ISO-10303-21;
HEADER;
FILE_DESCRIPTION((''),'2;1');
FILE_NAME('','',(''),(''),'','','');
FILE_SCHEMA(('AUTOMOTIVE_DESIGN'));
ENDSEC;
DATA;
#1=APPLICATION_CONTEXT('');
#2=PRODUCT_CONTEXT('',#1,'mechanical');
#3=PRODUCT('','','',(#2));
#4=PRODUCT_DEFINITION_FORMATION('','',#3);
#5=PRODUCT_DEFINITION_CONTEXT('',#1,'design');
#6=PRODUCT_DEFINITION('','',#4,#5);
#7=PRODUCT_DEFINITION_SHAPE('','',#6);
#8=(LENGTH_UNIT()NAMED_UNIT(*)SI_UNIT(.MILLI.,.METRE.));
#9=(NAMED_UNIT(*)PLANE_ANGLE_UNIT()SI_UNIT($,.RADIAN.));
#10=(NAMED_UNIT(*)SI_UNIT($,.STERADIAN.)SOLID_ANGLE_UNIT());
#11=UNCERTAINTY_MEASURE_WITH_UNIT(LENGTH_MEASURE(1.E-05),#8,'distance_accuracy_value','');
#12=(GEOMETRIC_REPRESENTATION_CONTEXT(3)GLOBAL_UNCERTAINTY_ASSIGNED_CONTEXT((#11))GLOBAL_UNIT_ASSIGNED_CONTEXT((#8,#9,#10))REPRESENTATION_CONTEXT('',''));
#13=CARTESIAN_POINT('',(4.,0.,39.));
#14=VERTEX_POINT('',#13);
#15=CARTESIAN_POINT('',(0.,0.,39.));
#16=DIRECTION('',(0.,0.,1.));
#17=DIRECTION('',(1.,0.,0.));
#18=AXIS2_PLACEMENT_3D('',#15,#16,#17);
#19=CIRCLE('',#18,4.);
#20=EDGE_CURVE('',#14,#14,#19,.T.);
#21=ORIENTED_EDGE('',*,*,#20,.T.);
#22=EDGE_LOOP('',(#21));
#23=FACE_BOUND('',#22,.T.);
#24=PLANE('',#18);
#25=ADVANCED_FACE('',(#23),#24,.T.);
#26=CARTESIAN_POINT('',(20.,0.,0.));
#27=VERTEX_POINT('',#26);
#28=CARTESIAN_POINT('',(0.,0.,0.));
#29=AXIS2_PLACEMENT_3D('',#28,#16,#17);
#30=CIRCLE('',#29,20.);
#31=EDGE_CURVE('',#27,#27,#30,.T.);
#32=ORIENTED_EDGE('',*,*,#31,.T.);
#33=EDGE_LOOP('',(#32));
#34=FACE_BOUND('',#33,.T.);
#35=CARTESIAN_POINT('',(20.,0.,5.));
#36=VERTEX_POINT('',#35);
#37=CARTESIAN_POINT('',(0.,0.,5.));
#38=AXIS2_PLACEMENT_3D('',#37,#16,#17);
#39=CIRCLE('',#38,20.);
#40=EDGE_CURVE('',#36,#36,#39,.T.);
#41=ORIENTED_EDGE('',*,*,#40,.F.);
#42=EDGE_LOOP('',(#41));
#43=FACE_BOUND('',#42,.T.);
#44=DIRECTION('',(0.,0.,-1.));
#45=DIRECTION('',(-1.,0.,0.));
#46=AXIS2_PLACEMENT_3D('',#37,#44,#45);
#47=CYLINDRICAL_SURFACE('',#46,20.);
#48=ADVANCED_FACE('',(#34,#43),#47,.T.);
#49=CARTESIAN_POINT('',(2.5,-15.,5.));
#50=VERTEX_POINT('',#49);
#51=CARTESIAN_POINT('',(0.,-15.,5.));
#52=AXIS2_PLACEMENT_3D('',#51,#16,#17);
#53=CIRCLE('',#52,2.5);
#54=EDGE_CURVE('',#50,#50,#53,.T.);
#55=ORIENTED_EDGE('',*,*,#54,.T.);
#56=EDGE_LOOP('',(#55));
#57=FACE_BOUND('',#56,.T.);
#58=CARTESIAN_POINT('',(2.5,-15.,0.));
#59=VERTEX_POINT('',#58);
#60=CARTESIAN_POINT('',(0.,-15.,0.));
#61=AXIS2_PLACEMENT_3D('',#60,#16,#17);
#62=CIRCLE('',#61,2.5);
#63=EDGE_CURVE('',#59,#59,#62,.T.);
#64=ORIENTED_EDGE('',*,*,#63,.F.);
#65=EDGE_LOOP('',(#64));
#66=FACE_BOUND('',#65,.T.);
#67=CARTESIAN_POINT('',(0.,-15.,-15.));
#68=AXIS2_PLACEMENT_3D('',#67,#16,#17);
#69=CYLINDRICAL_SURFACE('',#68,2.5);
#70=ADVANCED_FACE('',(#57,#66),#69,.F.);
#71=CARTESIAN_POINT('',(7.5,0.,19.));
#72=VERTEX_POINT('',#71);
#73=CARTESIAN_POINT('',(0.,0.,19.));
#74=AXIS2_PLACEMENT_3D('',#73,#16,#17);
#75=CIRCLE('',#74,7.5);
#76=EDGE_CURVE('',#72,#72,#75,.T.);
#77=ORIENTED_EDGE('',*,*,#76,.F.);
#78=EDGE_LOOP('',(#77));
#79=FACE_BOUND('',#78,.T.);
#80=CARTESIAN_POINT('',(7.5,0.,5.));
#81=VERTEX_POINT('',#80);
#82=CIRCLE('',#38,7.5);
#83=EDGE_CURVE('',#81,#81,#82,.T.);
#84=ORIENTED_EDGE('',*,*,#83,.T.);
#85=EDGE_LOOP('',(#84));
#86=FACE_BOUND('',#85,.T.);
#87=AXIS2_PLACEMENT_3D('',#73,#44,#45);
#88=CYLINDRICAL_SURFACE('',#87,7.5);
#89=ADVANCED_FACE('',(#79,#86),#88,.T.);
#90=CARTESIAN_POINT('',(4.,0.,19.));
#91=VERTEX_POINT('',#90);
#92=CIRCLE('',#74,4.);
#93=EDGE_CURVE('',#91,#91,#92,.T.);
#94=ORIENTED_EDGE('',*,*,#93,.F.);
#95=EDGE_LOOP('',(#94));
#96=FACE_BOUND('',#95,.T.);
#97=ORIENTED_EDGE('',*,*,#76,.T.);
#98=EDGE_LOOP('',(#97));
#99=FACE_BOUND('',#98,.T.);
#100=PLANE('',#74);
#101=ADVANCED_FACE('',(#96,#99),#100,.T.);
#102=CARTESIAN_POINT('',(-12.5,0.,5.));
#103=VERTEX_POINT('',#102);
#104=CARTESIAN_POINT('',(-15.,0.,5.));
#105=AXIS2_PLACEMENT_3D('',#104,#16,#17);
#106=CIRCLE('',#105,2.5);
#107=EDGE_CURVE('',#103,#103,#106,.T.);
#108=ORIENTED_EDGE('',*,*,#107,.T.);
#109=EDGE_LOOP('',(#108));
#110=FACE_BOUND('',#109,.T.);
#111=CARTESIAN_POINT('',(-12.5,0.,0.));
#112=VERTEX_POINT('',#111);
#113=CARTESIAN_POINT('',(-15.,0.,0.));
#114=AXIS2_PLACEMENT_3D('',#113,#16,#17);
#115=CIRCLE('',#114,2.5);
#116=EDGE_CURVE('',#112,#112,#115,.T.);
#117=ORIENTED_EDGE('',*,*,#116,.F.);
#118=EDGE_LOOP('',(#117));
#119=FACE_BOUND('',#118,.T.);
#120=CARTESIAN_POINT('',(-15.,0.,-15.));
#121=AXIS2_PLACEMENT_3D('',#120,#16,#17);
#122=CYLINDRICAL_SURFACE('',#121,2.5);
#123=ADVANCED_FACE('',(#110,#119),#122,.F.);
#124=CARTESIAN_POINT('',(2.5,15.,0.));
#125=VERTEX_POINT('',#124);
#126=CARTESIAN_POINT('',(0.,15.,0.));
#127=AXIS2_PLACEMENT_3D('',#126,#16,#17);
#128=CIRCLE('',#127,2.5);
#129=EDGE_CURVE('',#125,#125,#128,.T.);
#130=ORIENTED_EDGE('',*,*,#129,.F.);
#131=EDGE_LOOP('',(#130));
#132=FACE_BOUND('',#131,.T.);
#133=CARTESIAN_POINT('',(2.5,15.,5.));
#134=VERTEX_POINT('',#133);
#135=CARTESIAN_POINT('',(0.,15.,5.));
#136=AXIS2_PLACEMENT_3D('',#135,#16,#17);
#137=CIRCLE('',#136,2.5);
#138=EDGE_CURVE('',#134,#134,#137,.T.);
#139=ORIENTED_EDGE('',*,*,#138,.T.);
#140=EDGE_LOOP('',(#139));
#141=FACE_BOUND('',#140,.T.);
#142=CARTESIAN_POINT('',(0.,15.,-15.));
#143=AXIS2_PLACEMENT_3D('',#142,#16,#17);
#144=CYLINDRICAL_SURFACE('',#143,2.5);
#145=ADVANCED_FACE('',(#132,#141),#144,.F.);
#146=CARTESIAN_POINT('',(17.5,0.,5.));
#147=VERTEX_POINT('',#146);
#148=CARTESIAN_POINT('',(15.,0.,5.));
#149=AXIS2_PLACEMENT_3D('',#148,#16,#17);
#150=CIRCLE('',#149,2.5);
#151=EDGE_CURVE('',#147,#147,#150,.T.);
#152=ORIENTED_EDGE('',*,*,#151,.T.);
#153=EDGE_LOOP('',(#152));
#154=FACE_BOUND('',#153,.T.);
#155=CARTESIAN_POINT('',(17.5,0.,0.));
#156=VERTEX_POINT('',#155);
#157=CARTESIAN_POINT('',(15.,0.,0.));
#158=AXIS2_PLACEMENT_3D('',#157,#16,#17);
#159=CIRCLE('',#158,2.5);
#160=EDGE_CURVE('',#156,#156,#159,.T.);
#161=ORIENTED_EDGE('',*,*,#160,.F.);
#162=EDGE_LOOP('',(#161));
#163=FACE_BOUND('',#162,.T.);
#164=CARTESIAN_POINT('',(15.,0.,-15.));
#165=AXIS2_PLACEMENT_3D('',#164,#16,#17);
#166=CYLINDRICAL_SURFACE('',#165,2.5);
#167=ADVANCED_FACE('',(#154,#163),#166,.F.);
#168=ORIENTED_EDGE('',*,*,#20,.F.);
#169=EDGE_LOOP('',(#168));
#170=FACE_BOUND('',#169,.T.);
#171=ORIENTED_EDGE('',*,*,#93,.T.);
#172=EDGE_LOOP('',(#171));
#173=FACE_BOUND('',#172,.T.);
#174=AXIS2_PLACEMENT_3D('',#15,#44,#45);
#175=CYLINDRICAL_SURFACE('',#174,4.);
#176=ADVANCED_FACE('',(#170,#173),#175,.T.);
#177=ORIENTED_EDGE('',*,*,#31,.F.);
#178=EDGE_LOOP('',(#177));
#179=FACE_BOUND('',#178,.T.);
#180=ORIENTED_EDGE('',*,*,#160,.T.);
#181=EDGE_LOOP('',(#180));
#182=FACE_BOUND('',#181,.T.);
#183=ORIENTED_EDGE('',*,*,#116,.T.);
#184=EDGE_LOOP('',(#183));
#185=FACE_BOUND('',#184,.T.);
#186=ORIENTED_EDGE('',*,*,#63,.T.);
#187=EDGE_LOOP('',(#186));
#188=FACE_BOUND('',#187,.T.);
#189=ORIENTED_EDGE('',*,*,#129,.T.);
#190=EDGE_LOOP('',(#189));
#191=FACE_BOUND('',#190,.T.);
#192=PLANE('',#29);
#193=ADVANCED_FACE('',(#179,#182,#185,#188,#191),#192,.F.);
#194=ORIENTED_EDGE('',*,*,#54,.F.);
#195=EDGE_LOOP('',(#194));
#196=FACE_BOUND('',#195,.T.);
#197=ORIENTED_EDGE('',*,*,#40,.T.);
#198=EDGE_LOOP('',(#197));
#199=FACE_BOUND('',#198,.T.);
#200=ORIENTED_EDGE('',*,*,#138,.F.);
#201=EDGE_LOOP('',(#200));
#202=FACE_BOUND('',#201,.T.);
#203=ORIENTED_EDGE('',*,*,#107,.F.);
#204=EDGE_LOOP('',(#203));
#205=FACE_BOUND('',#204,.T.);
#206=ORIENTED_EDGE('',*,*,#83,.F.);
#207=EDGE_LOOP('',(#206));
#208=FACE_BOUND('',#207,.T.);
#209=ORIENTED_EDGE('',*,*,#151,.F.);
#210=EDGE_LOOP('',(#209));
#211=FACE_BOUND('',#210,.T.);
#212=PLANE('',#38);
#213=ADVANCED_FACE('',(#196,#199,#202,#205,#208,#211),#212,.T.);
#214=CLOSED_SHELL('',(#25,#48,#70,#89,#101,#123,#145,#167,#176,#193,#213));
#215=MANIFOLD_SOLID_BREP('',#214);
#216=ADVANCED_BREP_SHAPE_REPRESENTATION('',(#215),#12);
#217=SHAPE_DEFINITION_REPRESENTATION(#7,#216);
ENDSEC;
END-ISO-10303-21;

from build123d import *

# Parameters (mm, degrees)
SKETCH1_R           = 20
BOSS_EXTRUDE1_DEPTH = 5
SKETCH2_R           = 7.5
BOSS_EXTRUDE2_DEPTH = 14
SKETCH3_R           = 4
BOSS_EXTRUDE3_DEPTH = 20
SKETCH4_R           = 2.5
CUT_EXTRUDE1_DEPTH  = 20


with BuildPart() as part:
    # Sketch1 → Boss-Extrude1 (new body)
    with BuildSketch(Plane.XY):
        Circle(SKETCH1_R)
    extrude(amount=BOSS_EXTRUDE1_DEPTH)

    # Sketch2 → Boss-Extrude2 (add)
    with BuildSketch(Plane.XY.offset(5)):
        Circle(SKETCH2_R)
    extrude(amount=BOSS_EXTRUDE2_DEPTH)

    # Sketch3 → Boss-Extrude3 (add)
    with BuildSketch(Plane.XY.offset(19)):
        Circle(SKETCH3_R)
    extrude(amount=BOSS_EXTRUDE3_DEPTH)

    # Sketch4 → Cut-Extrude1 (cut)
    with BuildSketch(Plane.XY.offset(5)):
        with Locations((0, 15)):
            Circle(SKETCH4_R)
        with Locations((15, 0)):
            Circle(SKETCH4_R)
        with Locations((0, -15)):
            Circle(SKETCH4_R)
        with Locations((-15, 0)):
            Circle(SKETCH4_R)
    extrude(amount=-CUT_EXTRUDE1_DEPTH, mode=Mode.SUBTRACT)


solid = part.part
